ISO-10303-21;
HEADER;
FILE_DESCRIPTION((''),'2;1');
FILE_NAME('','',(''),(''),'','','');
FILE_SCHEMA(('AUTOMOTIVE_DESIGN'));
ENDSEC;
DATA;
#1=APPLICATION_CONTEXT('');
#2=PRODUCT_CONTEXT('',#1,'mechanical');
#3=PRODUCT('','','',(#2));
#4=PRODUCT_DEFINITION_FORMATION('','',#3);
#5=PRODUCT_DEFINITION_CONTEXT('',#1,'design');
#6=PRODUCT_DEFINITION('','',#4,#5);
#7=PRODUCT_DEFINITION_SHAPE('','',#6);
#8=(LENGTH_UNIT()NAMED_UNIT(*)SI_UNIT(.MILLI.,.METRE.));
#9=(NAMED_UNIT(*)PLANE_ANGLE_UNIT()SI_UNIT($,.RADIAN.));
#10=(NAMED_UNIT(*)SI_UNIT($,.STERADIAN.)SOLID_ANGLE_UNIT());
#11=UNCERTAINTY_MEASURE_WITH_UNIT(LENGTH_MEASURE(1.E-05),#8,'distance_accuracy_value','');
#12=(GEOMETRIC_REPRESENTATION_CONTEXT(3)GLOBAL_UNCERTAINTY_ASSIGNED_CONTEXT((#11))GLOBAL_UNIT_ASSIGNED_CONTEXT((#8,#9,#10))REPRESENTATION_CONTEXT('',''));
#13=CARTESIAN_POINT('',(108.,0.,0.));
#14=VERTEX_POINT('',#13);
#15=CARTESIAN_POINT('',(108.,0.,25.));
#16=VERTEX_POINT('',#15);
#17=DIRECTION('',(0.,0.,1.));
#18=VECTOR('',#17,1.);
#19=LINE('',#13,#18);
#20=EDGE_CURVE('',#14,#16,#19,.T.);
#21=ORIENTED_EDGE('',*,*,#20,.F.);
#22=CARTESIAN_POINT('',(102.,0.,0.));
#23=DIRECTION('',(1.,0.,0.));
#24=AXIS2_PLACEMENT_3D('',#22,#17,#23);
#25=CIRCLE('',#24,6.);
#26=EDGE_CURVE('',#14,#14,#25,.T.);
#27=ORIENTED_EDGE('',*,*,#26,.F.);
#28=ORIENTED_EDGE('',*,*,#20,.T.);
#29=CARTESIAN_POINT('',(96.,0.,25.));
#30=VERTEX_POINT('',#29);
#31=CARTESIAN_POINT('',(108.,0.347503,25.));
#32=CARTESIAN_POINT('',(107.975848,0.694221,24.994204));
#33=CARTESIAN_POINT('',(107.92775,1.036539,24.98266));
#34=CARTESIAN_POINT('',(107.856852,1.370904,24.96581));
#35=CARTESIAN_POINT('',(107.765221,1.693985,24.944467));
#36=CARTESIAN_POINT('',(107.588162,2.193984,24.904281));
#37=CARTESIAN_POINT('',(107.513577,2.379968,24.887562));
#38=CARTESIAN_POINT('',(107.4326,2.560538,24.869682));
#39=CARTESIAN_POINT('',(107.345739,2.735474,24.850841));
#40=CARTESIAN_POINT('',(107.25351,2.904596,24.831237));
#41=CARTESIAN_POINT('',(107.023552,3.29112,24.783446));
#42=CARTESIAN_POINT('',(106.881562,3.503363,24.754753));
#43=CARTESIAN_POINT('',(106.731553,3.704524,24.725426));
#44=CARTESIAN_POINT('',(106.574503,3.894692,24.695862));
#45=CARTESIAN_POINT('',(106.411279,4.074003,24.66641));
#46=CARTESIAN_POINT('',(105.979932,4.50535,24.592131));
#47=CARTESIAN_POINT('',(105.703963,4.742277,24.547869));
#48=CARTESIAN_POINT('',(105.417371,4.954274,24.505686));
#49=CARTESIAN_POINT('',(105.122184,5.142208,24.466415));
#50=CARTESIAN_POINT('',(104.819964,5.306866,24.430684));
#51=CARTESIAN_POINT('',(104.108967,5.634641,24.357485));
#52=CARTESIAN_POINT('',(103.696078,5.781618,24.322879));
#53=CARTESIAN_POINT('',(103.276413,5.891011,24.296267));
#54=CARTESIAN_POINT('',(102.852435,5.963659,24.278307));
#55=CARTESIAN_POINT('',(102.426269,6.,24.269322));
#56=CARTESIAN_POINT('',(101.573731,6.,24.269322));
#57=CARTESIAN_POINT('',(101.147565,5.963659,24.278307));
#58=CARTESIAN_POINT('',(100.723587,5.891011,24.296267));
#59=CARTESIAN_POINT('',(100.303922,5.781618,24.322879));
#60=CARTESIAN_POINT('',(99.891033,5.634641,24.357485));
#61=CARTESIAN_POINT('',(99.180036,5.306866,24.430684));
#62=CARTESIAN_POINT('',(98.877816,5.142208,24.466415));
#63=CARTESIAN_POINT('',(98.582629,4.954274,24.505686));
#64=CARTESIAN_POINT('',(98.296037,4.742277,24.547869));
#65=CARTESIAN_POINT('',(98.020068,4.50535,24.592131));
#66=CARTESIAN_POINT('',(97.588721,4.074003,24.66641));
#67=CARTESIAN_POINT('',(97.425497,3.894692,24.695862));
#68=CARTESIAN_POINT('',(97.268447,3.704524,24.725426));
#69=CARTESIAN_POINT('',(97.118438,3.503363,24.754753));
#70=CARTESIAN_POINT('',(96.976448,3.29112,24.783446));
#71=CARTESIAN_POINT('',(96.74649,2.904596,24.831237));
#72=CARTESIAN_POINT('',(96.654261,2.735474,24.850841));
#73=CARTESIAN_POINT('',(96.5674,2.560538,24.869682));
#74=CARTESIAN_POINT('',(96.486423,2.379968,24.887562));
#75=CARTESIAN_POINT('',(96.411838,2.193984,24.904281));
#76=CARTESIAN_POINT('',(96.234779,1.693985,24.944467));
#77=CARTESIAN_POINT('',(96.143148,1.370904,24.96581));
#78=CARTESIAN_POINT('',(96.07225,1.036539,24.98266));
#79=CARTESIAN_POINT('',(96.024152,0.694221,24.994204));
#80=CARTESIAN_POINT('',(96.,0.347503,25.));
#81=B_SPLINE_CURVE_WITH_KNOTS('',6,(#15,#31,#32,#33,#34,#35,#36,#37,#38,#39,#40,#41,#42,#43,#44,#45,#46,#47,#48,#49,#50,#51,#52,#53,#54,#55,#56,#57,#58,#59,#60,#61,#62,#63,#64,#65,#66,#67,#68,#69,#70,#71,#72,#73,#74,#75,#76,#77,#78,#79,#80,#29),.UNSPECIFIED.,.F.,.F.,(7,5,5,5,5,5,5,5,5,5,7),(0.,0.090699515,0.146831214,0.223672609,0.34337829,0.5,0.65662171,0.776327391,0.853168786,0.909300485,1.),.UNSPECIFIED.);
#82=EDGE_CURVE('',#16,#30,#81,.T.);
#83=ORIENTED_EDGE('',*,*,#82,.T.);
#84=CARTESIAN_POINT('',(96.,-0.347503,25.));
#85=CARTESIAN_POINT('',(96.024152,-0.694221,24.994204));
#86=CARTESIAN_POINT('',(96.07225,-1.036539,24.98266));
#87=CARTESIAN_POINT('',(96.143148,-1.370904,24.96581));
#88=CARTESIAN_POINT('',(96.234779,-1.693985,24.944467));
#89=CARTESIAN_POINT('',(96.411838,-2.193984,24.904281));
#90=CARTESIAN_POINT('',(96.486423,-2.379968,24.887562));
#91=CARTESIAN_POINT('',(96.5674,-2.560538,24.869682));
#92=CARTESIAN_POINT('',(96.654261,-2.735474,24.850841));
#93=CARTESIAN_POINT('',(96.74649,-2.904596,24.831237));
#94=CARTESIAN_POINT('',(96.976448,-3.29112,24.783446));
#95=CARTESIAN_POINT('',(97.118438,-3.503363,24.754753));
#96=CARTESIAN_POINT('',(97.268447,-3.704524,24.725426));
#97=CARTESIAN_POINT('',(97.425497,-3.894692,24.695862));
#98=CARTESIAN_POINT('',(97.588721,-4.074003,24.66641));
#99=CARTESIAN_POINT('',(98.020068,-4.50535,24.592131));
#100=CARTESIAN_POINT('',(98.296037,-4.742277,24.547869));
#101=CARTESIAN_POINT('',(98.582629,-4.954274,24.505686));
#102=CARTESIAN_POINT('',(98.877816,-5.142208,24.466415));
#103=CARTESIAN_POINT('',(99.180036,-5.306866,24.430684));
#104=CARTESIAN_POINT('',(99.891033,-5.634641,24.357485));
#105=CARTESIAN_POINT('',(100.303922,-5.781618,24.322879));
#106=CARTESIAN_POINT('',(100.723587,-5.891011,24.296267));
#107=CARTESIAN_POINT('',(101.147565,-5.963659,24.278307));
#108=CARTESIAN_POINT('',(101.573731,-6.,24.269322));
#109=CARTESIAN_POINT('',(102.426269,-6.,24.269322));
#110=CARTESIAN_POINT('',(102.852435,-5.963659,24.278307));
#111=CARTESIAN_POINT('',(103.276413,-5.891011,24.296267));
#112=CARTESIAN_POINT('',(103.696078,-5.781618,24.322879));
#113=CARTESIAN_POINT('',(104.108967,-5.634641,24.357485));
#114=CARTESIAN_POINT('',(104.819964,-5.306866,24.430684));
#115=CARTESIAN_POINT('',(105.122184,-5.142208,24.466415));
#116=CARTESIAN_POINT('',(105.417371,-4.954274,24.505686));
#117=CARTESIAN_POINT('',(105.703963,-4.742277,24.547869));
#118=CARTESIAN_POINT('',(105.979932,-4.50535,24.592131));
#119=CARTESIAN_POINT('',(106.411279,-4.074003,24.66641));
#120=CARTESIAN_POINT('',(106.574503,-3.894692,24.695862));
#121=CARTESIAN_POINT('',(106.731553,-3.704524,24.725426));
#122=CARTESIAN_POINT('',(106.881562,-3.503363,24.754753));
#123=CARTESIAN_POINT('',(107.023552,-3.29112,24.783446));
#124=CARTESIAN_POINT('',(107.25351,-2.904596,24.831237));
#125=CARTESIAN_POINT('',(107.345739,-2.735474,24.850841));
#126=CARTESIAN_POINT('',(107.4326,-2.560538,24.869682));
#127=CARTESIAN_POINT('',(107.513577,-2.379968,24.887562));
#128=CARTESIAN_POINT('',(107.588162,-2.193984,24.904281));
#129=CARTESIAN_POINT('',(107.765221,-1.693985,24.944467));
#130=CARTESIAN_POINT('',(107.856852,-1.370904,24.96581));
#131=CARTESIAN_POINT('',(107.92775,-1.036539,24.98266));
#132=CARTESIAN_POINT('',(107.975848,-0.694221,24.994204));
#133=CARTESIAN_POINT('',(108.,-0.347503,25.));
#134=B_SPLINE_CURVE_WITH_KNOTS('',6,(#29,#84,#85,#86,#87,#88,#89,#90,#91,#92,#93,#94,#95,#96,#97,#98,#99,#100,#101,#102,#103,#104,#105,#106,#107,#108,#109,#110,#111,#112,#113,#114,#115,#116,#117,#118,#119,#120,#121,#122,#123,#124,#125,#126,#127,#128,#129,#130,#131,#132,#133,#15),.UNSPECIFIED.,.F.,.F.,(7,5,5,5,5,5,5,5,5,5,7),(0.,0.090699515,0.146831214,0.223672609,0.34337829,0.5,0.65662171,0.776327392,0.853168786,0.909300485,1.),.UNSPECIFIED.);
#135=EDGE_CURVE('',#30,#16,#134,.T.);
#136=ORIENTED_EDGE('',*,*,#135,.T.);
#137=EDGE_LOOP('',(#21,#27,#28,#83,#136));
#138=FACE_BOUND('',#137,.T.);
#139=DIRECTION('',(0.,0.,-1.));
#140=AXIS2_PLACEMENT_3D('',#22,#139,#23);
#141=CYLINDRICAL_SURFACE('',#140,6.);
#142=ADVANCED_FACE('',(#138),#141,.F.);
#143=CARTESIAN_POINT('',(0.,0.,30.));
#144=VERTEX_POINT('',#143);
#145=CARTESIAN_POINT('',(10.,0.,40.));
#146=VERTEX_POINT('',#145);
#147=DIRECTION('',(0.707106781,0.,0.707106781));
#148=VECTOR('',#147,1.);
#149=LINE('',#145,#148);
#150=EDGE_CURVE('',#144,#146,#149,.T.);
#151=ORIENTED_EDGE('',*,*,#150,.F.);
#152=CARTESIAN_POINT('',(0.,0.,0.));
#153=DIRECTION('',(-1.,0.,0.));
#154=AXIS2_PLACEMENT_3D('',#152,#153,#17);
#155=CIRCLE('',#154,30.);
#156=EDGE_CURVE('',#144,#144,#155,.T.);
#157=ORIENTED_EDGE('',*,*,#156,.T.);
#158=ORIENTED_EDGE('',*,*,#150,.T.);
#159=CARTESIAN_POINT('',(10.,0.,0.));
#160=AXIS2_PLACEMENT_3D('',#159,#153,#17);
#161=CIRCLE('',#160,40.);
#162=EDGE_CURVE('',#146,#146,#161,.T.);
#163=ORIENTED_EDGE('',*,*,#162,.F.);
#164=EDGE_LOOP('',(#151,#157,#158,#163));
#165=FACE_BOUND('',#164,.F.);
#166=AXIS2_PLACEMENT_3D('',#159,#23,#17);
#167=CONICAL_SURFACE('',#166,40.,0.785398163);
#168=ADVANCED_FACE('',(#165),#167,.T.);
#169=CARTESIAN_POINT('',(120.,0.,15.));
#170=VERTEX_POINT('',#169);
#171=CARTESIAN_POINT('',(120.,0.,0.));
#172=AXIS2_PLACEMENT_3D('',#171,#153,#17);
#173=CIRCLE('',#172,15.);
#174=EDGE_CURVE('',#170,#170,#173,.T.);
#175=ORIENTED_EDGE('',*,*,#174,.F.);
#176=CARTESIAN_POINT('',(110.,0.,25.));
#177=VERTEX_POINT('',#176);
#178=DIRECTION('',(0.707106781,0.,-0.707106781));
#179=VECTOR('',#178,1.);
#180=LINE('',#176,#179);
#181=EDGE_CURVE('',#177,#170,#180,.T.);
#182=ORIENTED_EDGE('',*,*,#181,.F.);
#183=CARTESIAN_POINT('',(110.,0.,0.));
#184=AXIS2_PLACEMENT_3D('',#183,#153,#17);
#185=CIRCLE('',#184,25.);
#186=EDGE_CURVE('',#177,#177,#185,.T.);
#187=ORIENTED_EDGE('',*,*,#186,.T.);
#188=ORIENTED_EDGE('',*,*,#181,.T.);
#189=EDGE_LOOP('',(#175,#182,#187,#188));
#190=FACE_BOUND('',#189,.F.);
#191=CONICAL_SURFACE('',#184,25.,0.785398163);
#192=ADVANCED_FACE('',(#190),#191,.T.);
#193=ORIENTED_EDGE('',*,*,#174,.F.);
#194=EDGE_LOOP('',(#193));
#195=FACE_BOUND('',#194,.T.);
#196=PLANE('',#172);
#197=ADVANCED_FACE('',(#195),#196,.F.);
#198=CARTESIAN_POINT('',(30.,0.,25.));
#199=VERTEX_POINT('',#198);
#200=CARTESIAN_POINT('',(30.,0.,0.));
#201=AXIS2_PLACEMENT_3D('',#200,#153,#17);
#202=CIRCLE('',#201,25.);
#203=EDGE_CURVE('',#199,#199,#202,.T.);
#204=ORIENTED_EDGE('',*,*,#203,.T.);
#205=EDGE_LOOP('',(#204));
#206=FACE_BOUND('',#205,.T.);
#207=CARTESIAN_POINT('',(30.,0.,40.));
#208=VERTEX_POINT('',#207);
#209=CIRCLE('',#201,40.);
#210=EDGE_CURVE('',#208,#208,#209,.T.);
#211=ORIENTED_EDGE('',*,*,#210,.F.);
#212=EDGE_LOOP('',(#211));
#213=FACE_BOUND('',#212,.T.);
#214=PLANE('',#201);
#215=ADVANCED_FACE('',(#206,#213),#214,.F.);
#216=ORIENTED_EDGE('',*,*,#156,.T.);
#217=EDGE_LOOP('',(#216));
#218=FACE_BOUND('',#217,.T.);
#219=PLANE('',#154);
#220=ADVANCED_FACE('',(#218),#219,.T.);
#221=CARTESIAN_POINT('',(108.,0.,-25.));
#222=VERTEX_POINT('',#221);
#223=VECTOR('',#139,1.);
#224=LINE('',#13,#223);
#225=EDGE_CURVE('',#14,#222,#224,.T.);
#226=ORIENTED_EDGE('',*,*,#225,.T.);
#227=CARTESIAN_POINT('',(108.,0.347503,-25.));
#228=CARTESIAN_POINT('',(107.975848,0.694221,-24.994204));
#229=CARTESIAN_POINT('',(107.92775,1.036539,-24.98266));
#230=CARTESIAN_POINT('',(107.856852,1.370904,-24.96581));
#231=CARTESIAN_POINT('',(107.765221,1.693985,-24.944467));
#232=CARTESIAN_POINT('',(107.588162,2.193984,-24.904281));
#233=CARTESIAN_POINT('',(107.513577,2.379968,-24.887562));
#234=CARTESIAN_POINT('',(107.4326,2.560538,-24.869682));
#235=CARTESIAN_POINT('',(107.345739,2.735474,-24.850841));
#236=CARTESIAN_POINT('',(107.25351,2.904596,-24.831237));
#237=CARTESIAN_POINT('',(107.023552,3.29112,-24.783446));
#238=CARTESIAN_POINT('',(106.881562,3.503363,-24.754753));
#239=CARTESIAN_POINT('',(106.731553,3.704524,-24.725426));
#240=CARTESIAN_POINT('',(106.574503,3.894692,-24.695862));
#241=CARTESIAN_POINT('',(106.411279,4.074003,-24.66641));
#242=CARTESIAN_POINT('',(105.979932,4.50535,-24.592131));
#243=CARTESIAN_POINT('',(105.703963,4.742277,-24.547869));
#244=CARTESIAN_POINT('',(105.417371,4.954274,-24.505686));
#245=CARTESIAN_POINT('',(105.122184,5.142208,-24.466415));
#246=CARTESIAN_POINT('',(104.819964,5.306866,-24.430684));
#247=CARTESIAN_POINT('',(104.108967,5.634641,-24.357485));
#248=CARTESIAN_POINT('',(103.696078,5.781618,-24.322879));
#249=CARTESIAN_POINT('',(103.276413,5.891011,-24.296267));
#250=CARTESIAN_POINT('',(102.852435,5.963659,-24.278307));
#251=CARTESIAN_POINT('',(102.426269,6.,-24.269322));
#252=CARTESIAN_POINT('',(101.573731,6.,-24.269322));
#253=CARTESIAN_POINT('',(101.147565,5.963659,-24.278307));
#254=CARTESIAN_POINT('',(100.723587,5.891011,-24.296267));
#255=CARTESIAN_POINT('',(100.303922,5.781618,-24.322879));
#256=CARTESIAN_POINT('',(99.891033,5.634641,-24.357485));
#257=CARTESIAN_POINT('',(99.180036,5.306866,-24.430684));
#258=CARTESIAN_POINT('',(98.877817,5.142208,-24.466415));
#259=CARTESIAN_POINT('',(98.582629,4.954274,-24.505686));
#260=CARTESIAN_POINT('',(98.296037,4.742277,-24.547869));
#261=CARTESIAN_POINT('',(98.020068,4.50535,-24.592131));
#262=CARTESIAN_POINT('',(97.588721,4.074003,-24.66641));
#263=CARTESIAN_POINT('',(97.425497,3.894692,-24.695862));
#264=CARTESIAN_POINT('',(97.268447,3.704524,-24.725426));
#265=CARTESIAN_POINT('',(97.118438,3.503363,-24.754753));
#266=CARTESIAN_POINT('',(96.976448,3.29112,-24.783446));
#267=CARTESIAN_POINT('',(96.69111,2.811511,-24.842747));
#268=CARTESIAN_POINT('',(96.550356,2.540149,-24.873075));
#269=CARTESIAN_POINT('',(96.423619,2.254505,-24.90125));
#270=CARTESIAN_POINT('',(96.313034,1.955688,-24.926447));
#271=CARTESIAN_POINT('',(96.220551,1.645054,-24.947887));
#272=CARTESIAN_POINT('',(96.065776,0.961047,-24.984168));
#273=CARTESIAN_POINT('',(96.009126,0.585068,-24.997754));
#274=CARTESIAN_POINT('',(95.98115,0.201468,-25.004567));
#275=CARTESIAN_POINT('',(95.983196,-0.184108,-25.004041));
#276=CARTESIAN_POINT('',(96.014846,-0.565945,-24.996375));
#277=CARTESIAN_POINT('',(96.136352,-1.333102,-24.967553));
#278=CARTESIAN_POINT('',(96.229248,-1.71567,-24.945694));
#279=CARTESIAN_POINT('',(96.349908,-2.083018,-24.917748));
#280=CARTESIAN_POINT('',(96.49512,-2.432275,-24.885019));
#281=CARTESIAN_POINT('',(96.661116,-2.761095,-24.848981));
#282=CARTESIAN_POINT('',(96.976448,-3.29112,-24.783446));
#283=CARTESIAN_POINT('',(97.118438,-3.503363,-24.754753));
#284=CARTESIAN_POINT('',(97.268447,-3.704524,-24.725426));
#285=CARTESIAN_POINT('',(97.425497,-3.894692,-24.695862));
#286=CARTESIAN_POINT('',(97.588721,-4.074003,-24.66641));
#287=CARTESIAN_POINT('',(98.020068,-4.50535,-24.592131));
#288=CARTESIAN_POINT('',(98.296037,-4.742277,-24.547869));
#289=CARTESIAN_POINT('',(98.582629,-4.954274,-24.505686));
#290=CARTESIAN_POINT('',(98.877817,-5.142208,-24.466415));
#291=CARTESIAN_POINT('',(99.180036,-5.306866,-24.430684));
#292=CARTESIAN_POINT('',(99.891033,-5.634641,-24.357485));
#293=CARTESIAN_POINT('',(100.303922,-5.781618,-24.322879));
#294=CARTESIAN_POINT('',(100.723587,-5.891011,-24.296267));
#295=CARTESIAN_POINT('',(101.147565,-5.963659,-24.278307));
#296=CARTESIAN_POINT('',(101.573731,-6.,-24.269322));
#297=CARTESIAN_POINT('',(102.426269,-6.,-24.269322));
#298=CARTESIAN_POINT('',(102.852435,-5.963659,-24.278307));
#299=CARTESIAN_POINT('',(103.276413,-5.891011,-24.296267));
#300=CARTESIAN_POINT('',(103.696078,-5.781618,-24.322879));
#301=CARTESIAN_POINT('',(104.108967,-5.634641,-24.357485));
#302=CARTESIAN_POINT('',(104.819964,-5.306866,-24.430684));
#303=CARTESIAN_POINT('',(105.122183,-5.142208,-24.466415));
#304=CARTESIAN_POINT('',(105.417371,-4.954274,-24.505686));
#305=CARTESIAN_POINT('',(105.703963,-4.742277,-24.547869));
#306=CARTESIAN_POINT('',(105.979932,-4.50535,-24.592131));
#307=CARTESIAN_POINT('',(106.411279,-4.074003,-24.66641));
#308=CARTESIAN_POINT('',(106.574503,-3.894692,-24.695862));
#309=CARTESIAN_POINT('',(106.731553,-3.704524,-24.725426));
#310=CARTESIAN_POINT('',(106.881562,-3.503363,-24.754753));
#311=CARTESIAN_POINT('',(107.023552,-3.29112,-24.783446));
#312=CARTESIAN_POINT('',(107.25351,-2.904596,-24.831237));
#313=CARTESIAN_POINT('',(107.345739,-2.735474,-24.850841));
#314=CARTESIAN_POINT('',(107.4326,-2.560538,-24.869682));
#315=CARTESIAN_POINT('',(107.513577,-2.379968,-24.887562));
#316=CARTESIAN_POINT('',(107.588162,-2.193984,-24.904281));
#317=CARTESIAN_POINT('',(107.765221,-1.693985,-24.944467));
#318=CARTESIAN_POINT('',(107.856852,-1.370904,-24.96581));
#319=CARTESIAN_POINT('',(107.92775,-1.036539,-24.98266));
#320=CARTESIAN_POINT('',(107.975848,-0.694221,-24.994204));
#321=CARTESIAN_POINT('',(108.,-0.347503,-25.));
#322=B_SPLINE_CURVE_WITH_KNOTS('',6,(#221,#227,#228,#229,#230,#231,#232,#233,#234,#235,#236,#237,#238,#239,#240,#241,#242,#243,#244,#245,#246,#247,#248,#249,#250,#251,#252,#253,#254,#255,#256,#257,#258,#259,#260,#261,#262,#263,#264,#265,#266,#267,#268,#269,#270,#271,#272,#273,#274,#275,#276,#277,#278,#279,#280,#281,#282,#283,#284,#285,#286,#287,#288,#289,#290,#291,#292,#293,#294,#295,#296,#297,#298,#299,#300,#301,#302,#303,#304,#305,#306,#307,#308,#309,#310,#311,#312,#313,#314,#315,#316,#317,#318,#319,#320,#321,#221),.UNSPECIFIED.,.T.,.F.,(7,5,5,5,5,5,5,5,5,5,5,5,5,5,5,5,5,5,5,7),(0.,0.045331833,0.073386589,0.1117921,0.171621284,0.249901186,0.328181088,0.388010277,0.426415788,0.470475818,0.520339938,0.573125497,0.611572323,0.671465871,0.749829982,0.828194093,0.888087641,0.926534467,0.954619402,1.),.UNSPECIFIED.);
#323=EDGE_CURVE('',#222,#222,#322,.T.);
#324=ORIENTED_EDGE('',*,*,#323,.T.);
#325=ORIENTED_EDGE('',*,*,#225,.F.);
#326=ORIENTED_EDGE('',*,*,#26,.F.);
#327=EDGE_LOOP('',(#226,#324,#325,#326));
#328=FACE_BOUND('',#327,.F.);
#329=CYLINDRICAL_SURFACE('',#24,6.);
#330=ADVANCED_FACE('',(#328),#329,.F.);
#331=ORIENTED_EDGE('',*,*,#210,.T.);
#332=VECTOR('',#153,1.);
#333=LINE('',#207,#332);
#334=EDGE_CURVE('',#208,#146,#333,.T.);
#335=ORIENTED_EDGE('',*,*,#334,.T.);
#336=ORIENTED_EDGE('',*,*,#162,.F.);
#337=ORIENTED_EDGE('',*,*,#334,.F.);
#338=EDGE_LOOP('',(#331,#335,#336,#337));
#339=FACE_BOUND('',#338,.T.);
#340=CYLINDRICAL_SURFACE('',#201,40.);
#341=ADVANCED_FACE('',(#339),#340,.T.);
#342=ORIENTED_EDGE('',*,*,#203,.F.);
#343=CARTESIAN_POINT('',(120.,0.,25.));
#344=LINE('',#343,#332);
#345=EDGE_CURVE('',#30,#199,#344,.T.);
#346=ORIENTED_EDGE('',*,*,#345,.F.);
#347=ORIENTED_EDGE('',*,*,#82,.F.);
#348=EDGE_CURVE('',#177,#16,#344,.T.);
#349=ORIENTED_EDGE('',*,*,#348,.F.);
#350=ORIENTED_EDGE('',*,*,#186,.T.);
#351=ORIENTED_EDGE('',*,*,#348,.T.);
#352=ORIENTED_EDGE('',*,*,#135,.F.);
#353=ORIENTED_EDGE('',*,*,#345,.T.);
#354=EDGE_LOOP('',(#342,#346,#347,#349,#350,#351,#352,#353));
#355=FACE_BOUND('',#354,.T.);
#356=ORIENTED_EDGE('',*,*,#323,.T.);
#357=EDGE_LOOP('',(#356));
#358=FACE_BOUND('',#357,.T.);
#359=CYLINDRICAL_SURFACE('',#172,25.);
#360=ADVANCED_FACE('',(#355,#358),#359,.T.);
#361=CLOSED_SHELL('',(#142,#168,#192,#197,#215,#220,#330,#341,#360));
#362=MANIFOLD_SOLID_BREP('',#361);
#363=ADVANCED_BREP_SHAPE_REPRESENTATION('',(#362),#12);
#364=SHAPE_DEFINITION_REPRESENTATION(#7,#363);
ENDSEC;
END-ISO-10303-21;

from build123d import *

# Parameters (mm, degrees)
F2_SIZE2      = 10
F2_SIZE       = 10
F3_SIZE2      = 10
F3_SIZE       = 10
F5_DEPTH      = 40.001
F5_DEPTH_BACK = 40.001


with BuildPart() as f1:
    # F0 (on Front) → F1 (revolve)
    with BuildSketch(Plane.XZ):
        Polygon((0, 40), (0, 0), (120, 0), (120, 25), (30, 25), (30, 40), align=None)
    revolve(axis=Axis((60, 0, 0), (-1, 0, 0)))

    # F2
    f2_edges = [f1.edges().sort_by_distance(p)[0] for p in [
        (0, 0, -40),
    ]]
    chamfer(f2_edges, length=F2_SIZE, length2=F2_SIZE2)

    # F3
    f3_edges = [f1.edges().sort_by_distance(p)[0] for p in [
        (120, 0, -25),
    ]]
    chamfer(f3_edges, length=F3_SIZE, length2=F3_SIZE2)

    # F4 (on Top) → F5 (cut, two sides)
    with BuildSketch(Plane.XY) as f5_sk:
        with BuildLine():
            ThreePointArc((96, 0), (102, -6), (108, 0))
            ThreePointArc((108, 0), (102, 6), (96, 0))
        make_face()
    extrude(amount=-F5_DEPTH, mode=Mode.SUBTRACT)
    extrude(f5_sk.sketch, amount=F5_DEPTH_BACK, mode=Mode.SUBTRACT)


solid = f1.part
